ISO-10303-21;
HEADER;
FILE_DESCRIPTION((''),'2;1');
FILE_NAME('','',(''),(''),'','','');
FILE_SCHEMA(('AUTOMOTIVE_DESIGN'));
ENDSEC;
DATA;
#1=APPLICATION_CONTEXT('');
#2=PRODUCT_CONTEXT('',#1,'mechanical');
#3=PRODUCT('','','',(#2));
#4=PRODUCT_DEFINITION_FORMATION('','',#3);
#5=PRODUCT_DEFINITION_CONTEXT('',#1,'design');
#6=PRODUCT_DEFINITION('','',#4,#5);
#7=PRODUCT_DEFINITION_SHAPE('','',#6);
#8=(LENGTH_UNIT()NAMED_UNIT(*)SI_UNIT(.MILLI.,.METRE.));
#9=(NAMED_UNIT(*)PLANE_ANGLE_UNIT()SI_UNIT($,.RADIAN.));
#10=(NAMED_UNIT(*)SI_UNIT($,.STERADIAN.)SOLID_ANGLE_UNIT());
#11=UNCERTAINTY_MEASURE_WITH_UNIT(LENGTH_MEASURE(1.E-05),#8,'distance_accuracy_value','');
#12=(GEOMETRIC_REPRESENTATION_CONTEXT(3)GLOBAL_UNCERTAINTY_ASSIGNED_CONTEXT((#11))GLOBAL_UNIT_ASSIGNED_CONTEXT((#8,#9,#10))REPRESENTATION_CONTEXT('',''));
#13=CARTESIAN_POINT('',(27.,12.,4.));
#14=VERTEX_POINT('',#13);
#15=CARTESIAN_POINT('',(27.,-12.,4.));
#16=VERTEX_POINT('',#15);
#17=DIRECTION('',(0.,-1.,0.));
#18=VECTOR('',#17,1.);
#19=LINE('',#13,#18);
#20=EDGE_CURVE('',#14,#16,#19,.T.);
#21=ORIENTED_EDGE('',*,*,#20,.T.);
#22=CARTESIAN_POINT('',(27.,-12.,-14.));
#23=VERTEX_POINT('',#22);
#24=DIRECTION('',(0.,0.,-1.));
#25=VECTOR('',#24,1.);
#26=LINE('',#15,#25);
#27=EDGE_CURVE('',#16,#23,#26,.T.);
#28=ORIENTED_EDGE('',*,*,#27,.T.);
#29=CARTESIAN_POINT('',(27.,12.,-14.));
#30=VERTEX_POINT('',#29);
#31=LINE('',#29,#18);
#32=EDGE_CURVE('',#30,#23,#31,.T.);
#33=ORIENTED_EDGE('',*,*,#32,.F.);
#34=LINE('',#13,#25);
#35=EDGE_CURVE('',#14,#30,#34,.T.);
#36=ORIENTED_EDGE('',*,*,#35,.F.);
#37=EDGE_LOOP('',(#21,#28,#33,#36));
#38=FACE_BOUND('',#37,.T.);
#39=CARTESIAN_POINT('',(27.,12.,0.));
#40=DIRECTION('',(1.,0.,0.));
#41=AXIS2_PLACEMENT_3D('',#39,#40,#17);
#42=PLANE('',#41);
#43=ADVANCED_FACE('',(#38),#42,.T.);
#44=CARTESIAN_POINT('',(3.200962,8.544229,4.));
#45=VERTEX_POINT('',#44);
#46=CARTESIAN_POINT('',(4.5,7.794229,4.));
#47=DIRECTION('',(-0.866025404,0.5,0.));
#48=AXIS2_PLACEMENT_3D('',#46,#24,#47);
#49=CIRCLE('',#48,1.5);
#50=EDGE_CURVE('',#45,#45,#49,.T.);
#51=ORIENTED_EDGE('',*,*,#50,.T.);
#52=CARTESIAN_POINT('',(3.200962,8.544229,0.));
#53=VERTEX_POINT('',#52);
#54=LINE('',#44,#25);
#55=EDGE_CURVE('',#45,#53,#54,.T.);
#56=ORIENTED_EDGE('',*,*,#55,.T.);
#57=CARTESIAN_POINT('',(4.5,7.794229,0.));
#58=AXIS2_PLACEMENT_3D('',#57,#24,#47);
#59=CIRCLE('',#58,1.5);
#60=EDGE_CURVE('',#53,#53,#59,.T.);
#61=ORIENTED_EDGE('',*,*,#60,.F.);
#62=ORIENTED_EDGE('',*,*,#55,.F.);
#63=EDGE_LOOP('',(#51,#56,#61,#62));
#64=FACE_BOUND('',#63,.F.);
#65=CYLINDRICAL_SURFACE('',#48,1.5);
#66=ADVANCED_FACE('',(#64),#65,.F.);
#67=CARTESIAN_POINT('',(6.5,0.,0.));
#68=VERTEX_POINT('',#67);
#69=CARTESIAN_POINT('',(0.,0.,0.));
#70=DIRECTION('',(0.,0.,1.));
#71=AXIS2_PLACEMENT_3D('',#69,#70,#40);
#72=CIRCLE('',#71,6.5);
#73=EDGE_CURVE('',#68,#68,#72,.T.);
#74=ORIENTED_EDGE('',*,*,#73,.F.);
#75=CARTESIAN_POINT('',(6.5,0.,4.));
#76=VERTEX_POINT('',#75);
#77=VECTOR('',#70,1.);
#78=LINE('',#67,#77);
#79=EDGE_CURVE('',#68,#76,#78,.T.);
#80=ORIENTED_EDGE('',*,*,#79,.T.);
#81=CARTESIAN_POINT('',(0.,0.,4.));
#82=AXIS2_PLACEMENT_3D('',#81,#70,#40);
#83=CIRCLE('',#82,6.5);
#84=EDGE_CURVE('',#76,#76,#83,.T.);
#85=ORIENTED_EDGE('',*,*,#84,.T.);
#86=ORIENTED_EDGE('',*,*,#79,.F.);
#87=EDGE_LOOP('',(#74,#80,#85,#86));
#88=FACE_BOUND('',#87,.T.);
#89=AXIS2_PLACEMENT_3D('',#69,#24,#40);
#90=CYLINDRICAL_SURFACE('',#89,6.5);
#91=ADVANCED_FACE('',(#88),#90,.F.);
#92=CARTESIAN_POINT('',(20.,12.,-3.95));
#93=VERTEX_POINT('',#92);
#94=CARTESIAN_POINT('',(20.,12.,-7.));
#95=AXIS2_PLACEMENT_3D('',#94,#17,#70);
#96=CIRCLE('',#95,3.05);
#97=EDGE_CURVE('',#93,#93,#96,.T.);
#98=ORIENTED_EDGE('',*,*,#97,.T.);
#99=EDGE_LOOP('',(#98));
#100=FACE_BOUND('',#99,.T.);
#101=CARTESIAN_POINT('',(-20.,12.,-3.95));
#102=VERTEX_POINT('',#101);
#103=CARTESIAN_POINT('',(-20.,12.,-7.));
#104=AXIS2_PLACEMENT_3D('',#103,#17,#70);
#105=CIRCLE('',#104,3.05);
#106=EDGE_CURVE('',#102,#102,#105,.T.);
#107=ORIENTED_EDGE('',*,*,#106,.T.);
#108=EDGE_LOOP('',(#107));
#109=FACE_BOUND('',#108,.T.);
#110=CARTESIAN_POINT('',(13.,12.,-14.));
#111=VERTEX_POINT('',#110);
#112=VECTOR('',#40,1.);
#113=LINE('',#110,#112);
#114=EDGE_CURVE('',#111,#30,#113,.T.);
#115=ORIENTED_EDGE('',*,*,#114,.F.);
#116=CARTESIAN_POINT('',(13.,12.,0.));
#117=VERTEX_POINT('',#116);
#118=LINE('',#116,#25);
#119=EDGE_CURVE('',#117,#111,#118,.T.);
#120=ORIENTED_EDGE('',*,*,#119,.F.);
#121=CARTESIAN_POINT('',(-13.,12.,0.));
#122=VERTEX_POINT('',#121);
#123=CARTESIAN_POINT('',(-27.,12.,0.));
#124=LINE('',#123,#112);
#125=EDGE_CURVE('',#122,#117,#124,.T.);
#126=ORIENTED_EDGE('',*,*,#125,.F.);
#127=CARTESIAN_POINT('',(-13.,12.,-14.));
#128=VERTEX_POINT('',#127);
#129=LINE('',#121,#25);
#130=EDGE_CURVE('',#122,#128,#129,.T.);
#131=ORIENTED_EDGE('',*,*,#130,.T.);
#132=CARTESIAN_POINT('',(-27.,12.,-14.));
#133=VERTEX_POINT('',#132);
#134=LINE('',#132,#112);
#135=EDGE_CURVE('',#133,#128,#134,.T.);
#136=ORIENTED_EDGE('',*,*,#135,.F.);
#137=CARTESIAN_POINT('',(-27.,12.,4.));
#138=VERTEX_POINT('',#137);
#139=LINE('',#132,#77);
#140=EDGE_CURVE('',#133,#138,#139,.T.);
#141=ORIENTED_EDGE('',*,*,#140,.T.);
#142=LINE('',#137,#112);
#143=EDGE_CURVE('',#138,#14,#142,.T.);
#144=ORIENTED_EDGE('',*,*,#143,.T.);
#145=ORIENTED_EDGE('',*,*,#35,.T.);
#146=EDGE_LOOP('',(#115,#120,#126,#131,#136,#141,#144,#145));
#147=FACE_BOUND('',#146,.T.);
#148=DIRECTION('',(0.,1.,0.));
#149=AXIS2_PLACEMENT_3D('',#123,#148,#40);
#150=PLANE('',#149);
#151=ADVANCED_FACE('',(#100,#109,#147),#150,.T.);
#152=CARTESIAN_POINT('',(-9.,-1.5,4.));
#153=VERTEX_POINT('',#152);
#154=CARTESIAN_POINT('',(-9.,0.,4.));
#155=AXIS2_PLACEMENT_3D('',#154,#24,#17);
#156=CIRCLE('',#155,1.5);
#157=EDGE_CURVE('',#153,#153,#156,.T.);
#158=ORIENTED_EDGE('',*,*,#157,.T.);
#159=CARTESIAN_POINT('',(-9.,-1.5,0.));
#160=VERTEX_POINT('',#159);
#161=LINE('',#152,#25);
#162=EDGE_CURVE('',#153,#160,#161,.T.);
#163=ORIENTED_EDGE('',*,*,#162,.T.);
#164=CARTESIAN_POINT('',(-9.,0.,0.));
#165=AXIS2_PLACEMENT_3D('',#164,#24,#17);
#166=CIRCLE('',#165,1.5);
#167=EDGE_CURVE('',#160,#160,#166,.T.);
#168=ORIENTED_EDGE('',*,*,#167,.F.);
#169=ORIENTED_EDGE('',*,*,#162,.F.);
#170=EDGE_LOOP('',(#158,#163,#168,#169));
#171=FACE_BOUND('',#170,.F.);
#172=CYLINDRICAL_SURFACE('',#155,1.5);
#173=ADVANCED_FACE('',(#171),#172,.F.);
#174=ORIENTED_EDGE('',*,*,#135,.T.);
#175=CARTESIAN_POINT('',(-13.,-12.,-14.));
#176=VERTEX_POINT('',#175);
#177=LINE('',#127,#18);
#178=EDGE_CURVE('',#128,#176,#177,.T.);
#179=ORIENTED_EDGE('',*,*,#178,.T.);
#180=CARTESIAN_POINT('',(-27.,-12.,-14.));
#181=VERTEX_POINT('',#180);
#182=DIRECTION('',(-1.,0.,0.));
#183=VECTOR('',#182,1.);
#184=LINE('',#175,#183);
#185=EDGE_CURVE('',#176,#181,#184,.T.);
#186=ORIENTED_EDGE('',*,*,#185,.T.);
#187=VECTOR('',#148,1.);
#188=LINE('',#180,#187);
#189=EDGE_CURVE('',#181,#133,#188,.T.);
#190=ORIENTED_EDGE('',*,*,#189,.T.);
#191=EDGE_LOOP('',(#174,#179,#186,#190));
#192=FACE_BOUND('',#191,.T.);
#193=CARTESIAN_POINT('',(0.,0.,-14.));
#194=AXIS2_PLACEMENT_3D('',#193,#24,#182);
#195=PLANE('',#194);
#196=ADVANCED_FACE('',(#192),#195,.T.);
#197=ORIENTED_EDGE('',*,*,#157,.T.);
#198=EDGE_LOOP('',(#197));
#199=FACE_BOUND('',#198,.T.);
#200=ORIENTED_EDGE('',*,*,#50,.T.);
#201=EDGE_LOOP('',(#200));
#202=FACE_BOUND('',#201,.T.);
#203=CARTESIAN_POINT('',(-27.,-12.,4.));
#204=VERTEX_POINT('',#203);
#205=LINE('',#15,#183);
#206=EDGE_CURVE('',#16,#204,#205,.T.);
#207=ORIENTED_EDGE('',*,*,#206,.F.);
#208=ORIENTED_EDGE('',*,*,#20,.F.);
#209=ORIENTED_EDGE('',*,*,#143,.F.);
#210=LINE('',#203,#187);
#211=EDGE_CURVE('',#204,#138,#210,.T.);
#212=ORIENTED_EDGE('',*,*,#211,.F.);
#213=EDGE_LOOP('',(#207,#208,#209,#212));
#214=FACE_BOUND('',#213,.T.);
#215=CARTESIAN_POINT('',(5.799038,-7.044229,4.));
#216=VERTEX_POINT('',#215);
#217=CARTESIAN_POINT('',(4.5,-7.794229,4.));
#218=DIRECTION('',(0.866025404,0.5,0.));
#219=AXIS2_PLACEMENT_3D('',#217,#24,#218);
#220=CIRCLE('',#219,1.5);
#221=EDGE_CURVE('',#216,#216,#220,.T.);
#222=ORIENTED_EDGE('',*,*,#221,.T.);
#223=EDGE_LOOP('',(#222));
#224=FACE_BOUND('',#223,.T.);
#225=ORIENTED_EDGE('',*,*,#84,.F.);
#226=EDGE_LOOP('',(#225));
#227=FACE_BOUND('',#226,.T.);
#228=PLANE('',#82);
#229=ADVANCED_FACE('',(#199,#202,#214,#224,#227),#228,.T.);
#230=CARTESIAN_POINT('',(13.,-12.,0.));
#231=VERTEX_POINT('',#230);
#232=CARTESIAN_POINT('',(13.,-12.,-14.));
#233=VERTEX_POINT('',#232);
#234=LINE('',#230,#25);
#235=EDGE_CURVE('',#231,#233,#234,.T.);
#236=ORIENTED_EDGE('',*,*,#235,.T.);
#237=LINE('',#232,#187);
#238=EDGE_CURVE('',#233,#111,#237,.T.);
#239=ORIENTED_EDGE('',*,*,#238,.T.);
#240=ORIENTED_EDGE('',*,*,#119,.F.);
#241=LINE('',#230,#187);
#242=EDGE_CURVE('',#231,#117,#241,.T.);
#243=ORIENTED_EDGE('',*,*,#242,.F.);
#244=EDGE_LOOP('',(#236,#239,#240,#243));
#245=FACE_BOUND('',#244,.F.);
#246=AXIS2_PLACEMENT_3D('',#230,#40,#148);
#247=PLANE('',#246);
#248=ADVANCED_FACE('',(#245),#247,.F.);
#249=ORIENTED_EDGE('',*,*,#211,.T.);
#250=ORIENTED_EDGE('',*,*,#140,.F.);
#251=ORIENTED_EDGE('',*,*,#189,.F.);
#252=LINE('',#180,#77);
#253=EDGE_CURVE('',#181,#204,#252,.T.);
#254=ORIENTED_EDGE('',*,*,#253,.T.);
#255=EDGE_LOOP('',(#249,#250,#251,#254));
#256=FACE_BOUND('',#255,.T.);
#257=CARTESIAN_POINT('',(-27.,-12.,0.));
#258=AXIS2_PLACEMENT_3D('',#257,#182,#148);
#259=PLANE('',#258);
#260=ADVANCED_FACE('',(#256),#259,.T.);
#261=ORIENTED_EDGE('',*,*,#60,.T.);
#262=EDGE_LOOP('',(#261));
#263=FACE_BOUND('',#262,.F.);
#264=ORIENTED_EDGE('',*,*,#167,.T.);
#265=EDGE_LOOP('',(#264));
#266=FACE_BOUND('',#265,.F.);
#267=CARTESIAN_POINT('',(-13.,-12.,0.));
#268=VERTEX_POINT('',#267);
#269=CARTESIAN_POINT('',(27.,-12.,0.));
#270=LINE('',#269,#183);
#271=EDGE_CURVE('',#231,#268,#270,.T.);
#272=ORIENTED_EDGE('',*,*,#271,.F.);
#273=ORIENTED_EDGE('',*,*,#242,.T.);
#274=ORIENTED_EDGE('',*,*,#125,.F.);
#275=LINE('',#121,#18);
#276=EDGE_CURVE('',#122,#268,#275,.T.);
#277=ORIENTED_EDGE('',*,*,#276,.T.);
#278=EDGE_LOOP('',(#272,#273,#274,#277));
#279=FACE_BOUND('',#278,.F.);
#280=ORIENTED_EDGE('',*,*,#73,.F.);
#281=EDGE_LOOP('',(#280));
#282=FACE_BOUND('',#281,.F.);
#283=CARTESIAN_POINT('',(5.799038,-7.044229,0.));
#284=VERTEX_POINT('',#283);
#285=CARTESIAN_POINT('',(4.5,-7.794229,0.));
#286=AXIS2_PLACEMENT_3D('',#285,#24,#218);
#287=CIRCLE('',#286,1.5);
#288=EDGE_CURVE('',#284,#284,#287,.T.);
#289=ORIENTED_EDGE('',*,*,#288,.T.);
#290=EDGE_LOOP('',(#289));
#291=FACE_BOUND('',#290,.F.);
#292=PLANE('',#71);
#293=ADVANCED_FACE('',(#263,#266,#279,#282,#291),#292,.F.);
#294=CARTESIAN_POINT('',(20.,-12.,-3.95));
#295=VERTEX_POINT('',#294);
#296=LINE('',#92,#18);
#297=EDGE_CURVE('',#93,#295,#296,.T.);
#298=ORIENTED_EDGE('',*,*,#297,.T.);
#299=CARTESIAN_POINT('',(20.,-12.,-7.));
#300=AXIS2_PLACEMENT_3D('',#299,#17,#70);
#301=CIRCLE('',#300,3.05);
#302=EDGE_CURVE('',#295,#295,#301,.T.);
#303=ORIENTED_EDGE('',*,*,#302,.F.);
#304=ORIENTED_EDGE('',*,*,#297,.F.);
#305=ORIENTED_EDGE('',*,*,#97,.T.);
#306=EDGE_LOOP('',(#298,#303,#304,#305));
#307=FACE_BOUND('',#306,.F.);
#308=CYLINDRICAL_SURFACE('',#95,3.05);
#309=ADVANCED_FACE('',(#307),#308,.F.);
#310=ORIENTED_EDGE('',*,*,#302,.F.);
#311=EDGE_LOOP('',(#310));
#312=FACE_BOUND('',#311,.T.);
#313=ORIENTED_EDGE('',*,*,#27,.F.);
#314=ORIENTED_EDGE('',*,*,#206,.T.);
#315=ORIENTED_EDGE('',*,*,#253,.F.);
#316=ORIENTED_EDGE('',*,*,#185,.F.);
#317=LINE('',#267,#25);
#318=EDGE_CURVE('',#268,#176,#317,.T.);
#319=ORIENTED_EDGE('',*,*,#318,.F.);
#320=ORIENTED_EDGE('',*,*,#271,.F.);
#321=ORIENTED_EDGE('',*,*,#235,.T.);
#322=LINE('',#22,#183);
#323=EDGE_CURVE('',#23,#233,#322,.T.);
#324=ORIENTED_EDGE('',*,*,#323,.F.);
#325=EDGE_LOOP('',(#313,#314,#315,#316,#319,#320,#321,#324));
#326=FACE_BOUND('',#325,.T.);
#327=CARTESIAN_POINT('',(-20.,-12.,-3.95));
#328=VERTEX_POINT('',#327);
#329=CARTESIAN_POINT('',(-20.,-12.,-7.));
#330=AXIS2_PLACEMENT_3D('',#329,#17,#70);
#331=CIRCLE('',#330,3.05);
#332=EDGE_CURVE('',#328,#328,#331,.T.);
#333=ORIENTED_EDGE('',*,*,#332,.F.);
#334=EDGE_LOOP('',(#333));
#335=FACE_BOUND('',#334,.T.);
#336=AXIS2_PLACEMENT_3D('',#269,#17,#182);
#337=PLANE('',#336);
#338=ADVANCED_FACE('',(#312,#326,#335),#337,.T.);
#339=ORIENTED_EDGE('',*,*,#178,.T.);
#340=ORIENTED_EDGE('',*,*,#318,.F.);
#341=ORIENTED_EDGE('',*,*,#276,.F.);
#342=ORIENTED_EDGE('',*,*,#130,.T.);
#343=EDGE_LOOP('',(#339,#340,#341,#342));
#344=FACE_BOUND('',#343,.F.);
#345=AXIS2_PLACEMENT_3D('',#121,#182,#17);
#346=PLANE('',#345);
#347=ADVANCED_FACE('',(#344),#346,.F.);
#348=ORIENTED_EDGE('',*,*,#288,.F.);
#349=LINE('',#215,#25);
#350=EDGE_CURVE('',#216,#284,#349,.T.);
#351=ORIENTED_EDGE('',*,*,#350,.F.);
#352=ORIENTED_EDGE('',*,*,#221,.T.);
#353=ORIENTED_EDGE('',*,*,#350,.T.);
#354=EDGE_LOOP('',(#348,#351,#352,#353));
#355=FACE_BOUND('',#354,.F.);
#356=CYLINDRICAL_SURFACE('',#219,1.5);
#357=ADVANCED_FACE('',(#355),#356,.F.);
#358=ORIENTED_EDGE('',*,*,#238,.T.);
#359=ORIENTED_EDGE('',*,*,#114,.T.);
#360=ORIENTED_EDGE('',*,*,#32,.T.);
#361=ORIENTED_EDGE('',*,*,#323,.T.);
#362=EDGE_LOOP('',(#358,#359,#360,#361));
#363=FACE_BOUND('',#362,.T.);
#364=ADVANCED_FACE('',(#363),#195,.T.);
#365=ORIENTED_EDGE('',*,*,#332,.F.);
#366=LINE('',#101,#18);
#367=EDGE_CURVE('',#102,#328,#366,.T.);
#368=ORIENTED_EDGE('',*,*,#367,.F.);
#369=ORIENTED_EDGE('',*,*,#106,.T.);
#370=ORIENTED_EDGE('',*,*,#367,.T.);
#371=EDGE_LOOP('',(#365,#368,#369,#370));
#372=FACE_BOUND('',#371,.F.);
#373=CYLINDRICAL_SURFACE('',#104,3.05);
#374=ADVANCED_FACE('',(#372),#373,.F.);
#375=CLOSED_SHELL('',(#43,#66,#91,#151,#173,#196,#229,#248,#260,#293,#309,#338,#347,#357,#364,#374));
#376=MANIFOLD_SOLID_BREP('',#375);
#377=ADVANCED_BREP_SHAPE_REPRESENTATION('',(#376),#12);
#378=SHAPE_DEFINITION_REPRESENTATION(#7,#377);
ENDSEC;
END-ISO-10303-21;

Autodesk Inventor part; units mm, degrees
ref_plane "YZ Plane" through (0, 0, 0) normal (1, 0, 0) x (0, 1, 0)
ref_plane "XZ Plane" through (0, 0, 0) normal (0, 1, 0) x (-1, 0, 0)
ref_plane "XY Plane" through (0, 0, 0) normal (0, 0, 1) x (1, 0, 0)
sketch "Skizze1" plane through (0, 0, 0) normal (0, 0, 1) x (1, 0, 0)
  circle A0 centre (0, 0) radius 6.5
  line L0 (-27, 12) -> (27, 12)
  line L1 (27, 12) -> (27, -12)
  line L2 (27, -12) -> (-27, -12)
  line L3 (-27, -12) -> (-27, 12)
  dimension "d0" = 13
  dimension "d1" = 24
  dimension "d2" = 12
  dimension "d3" = 54
  dimension "d4" = 27
extrude "Extrusion1" add sketch "Skizze1" along normal blind 4
sketch "Skizze2" plane through (0, 0, 0) normal (0, 0, -1) x (-1, 0, 0)
  line L0 (-27, -12) -> (-13, -12)
  line L1 (-13, -12) -> (-13, 12)
  line L2 (-13, 12) -> (-27, 12)
  line L3 (-27, 12) -> (-27, -12)
  line L4 (13, -12) -> (27, -12)
  line L5 (27, -12) -> (27, 12)
  line L6 (27, 12) -> (13, 12)
  line L7 (13, 12) -> (13, -12)
  point P0 (0, 0)
  dimension "d7" = 14
  dimension "d8" = 14
  dimension "d9" = 24
  dimension "d10" = 24
  dimension "d11" = 27
  dimension "d12" = 27
  dimension "d13" = 12
extrude "Extrusion2" add sketch "Skizze2" along normal blind 14
hole "Bohrung1" at (20, 12, -7) direction (0, -1, 0) diameter 6.1 depth 24
hole "Bohrung2" at (-20, 12, -7) direction (0, -1, 0) diameter 6.1 depth 724
hole "Bohrung3" at (-9, 0, 4) direction (0, 0, -1) diameter 3 depth 8 tip angle 118
pattern_circular "Runde Anordnung1" count 3 over 360 about axis through (0, 0, 0) along (0, 0, 1) of "Bohrung3"
properties part number "B Arm"
